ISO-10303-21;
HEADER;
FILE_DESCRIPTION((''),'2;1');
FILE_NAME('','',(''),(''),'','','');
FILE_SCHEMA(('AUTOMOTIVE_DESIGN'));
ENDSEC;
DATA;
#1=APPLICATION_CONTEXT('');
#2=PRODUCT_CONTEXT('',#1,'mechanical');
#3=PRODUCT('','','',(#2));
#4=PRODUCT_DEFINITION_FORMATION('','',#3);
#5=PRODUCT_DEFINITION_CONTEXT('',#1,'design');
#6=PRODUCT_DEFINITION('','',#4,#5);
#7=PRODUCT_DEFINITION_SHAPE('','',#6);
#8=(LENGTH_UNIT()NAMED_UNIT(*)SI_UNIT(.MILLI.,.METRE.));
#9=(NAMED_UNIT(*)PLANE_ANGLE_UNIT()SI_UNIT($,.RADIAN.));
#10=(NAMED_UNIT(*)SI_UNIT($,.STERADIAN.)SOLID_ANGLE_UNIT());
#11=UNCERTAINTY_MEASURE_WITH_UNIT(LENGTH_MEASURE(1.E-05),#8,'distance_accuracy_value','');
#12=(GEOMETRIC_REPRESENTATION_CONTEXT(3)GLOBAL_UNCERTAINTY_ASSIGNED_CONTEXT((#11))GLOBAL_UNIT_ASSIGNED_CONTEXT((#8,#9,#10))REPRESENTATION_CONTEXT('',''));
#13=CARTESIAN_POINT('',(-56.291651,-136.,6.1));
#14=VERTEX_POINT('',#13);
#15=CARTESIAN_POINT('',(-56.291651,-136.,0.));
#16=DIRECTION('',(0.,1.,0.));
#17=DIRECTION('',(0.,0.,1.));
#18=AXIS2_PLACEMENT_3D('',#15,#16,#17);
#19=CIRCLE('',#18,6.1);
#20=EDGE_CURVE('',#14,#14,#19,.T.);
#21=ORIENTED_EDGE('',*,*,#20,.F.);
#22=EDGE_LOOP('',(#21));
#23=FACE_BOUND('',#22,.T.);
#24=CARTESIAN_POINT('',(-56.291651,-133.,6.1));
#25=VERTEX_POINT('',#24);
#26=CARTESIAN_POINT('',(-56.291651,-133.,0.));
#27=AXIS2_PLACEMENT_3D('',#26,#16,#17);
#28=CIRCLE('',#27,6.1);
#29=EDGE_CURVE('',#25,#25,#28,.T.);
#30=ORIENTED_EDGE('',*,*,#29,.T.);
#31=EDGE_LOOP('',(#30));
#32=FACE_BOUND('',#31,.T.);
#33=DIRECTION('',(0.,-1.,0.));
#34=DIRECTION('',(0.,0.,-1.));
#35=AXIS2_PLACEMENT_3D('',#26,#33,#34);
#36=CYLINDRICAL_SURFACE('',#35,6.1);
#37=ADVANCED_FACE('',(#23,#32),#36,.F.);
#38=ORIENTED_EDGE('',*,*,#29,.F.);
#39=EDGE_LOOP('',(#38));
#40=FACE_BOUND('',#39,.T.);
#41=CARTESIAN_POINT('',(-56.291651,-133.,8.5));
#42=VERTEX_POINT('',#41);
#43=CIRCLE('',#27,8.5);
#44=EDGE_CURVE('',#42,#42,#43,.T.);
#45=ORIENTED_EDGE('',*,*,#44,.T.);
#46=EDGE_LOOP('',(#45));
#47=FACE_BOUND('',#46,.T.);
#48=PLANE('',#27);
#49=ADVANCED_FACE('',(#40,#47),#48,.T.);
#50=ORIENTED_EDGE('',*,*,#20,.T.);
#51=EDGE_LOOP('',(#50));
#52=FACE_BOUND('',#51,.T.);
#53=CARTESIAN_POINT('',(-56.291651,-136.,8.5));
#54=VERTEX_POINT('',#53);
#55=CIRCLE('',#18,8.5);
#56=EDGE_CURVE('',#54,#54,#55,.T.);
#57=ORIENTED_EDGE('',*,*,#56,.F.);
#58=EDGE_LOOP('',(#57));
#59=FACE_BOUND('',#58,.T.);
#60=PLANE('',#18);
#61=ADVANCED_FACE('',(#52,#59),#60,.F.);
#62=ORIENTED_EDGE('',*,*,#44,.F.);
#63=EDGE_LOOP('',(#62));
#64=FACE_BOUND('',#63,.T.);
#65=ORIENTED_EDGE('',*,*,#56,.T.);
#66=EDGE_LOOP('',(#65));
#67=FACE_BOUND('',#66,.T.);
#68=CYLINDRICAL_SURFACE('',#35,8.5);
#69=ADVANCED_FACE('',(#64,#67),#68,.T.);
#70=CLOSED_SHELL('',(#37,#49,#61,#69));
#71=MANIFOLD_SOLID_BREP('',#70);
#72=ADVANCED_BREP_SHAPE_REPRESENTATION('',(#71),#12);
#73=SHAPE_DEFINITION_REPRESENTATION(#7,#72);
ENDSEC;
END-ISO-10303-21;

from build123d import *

# Parameters (mm, degrees)
SPACER_RING_SKETCH_R   = 8.5
SPACER_RING_SKETCH_R_2 = 6.1
SPACER_RING_DEPTH      = 3


with BuildPart() as part:
    # Spacer ring sketch → Spacer ring (new body)
    with BuildSketch(Plane(origin=(0, -136, 0), x_dir=(1, 0, 0), z_dir=(0, 1, 0))):
        with Locations(Location((-56.291651246, 0, 0), (0, 0, 270))):
            Circle(SPACER_RING_SKETCH_R)
        with Locations(Location((-56.291651246, 0, 0), (0, 0, 270))):
            Circle(SPACER_RING_SKETCH_R_2, mode=Mode.SUBTRACT)
    extrude(amount=SPACER_RING_DEPTH)


solid = part.part
